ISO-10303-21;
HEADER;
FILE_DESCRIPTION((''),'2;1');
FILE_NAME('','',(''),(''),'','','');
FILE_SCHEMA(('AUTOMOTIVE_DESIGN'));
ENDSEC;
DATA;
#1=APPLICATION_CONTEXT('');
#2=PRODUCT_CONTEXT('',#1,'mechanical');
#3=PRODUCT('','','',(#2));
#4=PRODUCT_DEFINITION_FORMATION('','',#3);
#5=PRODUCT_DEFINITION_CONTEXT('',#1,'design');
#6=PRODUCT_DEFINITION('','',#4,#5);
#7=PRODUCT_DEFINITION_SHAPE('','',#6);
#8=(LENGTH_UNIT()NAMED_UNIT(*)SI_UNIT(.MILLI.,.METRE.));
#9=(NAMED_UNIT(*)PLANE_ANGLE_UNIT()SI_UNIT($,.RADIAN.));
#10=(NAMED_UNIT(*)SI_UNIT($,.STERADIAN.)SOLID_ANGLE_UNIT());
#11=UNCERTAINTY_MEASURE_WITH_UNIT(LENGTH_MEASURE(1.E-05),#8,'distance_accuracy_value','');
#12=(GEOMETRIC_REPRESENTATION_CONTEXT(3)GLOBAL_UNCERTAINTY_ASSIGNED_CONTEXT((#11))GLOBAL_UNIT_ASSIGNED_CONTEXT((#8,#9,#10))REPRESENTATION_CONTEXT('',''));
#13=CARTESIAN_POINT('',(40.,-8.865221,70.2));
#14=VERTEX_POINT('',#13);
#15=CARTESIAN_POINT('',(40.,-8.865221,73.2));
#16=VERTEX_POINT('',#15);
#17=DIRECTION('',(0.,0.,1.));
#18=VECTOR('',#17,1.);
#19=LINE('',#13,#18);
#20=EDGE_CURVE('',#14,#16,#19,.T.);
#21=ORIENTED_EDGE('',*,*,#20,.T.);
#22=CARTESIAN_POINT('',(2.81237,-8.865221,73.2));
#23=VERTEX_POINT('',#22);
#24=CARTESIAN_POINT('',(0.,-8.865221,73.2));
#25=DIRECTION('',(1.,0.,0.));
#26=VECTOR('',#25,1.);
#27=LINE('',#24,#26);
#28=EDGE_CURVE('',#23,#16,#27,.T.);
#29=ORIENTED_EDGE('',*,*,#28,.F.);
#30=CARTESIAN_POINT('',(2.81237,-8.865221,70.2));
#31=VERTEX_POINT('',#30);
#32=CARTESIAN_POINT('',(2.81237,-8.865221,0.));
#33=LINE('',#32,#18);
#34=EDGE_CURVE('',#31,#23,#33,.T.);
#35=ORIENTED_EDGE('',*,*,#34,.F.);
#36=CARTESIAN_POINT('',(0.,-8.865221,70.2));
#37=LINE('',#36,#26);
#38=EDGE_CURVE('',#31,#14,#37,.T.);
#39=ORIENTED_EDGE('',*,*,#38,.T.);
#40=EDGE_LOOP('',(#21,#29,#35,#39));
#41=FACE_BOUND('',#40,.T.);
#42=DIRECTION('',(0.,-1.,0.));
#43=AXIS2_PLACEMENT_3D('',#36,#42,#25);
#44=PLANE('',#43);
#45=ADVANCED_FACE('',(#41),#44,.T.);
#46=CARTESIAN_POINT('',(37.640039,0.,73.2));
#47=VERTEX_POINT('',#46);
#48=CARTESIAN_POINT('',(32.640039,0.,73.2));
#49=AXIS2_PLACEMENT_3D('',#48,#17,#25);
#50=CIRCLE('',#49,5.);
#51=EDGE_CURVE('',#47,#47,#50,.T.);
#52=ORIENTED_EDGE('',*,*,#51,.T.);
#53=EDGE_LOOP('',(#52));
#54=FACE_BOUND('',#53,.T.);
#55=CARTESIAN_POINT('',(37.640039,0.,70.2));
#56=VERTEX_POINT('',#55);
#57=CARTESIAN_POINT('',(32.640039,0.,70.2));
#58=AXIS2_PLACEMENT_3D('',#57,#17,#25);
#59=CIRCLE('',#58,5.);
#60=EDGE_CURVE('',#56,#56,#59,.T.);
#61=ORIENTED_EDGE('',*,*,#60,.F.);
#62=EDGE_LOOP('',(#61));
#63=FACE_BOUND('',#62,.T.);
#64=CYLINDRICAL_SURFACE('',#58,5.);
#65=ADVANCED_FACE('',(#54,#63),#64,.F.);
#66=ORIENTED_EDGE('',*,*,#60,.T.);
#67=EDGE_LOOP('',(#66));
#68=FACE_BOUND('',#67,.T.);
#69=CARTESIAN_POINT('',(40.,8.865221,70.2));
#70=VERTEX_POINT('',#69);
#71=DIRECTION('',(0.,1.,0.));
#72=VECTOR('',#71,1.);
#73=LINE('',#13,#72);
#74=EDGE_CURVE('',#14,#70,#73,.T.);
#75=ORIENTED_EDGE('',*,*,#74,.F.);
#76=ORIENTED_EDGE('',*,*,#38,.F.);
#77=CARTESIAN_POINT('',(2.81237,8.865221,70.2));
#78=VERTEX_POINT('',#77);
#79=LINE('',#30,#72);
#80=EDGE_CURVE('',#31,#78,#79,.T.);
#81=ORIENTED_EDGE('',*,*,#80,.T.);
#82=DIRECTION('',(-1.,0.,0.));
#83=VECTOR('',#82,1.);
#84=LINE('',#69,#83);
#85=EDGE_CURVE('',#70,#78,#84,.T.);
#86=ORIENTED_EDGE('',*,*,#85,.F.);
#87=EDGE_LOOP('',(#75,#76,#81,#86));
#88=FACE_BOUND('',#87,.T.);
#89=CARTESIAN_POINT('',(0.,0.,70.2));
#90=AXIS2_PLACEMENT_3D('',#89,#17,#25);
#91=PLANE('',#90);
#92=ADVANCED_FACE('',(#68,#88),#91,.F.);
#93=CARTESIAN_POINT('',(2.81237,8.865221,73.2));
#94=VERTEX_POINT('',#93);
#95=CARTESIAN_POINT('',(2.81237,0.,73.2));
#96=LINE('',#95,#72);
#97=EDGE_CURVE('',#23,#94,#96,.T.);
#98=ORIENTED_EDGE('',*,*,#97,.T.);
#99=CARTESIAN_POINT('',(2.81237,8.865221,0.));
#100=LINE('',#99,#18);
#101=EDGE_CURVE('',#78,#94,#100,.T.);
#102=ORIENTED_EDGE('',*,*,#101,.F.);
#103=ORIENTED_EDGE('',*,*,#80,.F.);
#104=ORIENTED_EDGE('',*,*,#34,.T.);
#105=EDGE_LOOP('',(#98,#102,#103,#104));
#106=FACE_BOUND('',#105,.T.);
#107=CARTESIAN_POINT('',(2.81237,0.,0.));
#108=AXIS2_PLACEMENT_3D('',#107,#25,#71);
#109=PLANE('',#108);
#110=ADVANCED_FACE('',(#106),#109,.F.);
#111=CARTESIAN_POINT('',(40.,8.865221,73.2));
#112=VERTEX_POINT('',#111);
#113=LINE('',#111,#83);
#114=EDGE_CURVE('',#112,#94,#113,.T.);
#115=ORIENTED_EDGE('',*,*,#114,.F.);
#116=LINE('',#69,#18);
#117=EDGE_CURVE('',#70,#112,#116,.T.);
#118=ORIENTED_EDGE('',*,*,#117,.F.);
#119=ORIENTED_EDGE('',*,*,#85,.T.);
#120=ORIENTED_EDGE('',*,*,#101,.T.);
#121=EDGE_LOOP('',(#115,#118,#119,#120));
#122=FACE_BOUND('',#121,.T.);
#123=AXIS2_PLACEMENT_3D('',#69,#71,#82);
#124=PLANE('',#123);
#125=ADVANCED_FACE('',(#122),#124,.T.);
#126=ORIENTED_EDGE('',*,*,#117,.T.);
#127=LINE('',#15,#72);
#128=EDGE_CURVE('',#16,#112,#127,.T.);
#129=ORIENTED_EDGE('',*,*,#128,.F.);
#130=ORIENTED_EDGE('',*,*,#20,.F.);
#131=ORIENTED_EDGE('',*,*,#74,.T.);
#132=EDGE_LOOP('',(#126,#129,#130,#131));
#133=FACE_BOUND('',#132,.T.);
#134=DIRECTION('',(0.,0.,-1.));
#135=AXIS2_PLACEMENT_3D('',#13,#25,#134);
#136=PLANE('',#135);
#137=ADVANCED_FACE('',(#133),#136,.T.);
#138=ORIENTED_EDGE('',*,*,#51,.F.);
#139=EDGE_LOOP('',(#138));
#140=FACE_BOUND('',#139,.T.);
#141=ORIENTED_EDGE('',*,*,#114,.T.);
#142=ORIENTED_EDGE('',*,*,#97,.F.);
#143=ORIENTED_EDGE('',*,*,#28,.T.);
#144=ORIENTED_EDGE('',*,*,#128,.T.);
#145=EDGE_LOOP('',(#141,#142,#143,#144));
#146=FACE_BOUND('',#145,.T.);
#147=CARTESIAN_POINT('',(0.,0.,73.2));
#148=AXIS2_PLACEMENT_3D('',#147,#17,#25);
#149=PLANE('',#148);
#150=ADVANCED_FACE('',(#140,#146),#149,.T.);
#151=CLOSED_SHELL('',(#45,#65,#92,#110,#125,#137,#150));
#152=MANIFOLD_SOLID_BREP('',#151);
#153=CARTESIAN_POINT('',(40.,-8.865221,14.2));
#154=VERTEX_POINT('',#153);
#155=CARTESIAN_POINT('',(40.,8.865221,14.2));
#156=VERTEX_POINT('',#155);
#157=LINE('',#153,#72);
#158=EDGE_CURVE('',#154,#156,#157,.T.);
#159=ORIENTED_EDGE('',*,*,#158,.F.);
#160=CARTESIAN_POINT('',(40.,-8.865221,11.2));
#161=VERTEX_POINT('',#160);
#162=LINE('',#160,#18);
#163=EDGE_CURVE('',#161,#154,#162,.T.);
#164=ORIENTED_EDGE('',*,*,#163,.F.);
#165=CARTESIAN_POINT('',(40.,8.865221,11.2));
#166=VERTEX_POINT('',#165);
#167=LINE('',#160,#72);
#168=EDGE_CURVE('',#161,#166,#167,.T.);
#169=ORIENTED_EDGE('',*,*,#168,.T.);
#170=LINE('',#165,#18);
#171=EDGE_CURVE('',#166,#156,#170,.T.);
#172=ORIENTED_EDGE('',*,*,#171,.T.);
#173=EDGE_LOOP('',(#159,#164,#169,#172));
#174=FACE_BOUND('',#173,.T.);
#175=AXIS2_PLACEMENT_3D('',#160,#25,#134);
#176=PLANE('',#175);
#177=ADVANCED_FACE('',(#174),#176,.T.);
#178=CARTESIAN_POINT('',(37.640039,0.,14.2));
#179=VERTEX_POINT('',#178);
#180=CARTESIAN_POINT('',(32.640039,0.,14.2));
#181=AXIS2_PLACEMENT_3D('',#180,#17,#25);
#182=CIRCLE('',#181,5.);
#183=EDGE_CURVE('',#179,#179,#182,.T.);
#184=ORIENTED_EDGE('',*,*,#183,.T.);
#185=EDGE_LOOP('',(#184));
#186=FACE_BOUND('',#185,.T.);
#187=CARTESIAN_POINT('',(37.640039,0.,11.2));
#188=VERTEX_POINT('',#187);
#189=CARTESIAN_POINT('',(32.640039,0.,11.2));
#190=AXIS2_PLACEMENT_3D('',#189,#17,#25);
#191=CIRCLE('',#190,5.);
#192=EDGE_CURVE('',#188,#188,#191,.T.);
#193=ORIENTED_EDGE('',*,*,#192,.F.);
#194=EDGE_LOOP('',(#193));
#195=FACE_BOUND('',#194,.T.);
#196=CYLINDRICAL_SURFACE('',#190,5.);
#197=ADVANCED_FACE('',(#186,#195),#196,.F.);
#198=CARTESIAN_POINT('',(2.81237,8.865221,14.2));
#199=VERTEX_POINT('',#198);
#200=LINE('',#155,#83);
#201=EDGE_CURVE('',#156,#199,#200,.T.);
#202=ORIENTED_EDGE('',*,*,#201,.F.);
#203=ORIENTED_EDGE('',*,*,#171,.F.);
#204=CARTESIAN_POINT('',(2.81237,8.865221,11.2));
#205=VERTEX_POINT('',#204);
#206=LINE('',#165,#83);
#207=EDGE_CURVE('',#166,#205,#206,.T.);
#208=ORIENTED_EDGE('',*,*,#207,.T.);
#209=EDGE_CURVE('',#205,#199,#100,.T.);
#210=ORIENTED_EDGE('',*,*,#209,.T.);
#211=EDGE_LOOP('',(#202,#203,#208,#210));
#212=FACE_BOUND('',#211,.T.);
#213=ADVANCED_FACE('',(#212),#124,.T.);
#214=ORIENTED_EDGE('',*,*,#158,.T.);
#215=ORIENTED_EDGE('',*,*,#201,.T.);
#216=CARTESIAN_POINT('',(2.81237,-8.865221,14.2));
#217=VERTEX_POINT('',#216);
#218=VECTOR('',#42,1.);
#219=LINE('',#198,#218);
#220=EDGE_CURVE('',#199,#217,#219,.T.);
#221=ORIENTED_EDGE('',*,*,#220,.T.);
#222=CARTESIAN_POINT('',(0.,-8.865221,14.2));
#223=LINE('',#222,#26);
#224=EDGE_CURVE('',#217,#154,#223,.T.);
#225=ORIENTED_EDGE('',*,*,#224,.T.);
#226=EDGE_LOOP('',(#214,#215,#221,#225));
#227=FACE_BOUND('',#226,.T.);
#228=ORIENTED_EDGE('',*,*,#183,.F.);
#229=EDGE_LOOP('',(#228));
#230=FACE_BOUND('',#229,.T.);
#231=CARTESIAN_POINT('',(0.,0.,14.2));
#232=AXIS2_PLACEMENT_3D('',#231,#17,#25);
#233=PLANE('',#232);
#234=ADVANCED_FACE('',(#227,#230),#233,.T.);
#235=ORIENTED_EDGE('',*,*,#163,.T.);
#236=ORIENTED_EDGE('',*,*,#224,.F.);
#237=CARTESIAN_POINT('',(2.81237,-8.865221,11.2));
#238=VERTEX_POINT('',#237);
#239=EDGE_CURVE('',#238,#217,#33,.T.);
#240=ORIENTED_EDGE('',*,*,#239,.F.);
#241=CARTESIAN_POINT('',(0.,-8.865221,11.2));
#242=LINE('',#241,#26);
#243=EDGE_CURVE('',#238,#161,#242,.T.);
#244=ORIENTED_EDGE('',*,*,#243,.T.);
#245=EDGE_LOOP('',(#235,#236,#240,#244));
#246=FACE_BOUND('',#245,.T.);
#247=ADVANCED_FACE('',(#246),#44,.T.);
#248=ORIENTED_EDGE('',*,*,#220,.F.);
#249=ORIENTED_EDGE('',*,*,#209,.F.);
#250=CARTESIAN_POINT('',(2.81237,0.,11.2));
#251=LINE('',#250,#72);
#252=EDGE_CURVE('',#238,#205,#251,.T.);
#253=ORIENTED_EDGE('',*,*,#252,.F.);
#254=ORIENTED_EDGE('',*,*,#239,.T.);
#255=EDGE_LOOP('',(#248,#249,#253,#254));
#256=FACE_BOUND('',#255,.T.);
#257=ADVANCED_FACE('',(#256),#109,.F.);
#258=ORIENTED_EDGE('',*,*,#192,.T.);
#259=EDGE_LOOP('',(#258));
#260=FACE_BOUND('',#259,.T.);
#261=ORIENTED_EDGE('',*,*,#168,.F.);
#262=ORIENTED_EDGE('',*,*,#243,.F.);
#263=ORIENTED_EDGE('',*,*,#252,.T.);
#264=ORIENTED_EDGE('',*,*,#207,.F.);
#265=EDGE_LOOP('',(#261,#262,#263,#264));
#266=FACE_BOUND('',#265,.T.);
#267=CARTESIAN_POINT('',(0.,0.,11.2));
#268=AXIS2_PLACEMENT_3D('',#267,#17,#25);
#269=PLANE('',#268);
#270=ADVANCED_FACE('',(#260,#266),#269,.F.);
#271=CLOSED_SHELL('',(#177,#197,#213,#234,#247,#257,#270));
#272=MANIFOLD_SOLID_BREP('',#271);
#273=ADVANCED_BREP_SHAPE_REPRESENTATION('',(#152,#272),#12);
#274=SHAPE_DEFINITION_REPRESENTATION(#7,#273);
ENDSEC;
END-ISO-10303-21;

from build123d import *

# Parameters (mm, degrees)
SKETCH_1_R             = 2.5
EXTRUDE_1_DEPTH        = 88.2
SKETCH_2_R             = 12.5
EXTRUDE_2_DEPTH        = 62
SKETCH_3_W             = 40
SKETCH_3_H             = 17.730441408
SKETCH_3_R             = 5
EXTRUDE_3_DEPTH        = 3
PATTERN_LINEAR_1_COUNT = 2
PATTERN_LINEAR_1_PITCH = 59
SKETCH_5_R             = 2.5
CUT_EXTRUDE_2_DEPTH    = 85.347436238
SKETCH_6_R             = 2.5
CUT_EXTRUDE_3_DEPTH    = 88.2215119
SKETCH_7_W             = 56
SKETCH_7_H             = 17.730441408
CUT_EXTRUDE_4_DEPTH    = 83.581789618


with BuildPart() as part:
    # 草图1 → 凸台-拉伸1 (new body)
    with BuildSketch(Plane.XY):
        Circle(SKETCH_1_R)
    extrude(amount=EXTRUDE_1_DEPTH)

    # 草图2 → 凸台-拉伸2 (add)
    with BuildSketch(Plane.XY.offset(73.2)):
        Circle(SKETCH_2_R)
    extrude(amount=-EXTRUDE_2_DEPTH)

    # 草图3 → 凸台-拉伸3 (add)
    with BuildSketch(Plane.XY.offset(73.2)):
        with Locations((20, 0)):
            Rectangle(SKETCH_3_W, SKETCH_3_H)
        with Locations((32.640039451, 0)):
            Circle(SKETCH_3_R, mode=Mode.SUBTRACT)
    extrude_3 = extrude(amount=-EXTRUDE_3_DEPTH)

    # 阵列(线性)1: 凸台-拉伸3 ×2
    with Locations(*[(0, 0, -i * PATTERN_LINEAR_1_PITCH) for i in range(1, PATTERN_LINEAR_1_COUNT)]):
        add(extrude_3)

    # 草图5 → 切除-拉伸2 (cut, through all)
    # profile 1 of 2: a face of its own
    with BuildSketch(Plane.XY.offset(73.2)):
        with BuildLine():
            Line((2.812369821, -8.865220704), (2.812369821, 8.865220704))
            Line((2.812369821, 8.865220704), (8.812369821, 8.865220704))
            ThreePointArc((8.812369821, 8.865220704), (-12.5, 0), (8.812369821, -8.865220704))
            Line((8.812369821, -8.865220704), (2.812369821, -8.865220704))
        make_face()
        Circle(SKETCH_5_R, mode=Mode.SUBTRACT)
    # profile 2 of 2: a face of its own
    with BuildSketch(Plane.XY.offset(73.2)):
        Circle(SKETCH_5_R)
    extrude(amount=-CUT_EXTRUDE_2_DEPTH, mode=Mode.SUBTRACT)


with BuildPart() as cut_extrude_2_piece_1:
    # of the separate pieces the step leaves, piece 1, a body of its own (cut_extrude_2_pieces)
    add(part.part.solids().sort_by_distance((40, -8.865220704, 11.2))[0])

    # 草图7 → 切除-拉伸4 (cut, through all)
    with BuildSketch(Plane.ZY.offset(-2.812369821)):
        with Locations((42.2, 0)):
            Rectangle(SKETCH_7_W, SKETCH_7_H)
    extrude(amount=-CUT_EXTRUDE_4_DEPTH, mode=Mode.SUBTRACT)


with BuildPart() as cut_extrude_2_piece_2:
    # of the separate pieces the step leaves, piece 2, a body of its own (cut_extrude_2_pieces)
    add(part.part.solids().sort_by_distance((2.5, 0, 73.2))[0])

    # 草图6 → 切除-拉伸3 (cut, through all)
    with BuildSketch(Plane.XY.offset(88.2)):
        Circle(SKETCH_6_R)
    extrude(amount=-CUT_EXTRUDE_3_DEPTH, mode=Mode.SUBTRACT)


with BuildPart() as cut_extrude_4_piece_1:
    # of the separate pieces the step leaves, piece 1, a body of its own (cut_extrude_4_pieces)
    add(cut_extrude_2_piece_1.part.solids().sort_by_distance((2.812369821, 8.865220704, 73.2))[0])


with BuildPart() as cut_extrude_4_piece_2:
    # of the separate pieces the step leaves, piece 2, a body of its own (cut_extrude_4_pieces)
    add(cut_extrude_2_piece_1.part.solids().sort_by_distance((40, -8.865220704, 11.2))[0])


solid = Compound([cut_extrude_4_piece_1.part, cut_extrude_4_piece_2.part])
